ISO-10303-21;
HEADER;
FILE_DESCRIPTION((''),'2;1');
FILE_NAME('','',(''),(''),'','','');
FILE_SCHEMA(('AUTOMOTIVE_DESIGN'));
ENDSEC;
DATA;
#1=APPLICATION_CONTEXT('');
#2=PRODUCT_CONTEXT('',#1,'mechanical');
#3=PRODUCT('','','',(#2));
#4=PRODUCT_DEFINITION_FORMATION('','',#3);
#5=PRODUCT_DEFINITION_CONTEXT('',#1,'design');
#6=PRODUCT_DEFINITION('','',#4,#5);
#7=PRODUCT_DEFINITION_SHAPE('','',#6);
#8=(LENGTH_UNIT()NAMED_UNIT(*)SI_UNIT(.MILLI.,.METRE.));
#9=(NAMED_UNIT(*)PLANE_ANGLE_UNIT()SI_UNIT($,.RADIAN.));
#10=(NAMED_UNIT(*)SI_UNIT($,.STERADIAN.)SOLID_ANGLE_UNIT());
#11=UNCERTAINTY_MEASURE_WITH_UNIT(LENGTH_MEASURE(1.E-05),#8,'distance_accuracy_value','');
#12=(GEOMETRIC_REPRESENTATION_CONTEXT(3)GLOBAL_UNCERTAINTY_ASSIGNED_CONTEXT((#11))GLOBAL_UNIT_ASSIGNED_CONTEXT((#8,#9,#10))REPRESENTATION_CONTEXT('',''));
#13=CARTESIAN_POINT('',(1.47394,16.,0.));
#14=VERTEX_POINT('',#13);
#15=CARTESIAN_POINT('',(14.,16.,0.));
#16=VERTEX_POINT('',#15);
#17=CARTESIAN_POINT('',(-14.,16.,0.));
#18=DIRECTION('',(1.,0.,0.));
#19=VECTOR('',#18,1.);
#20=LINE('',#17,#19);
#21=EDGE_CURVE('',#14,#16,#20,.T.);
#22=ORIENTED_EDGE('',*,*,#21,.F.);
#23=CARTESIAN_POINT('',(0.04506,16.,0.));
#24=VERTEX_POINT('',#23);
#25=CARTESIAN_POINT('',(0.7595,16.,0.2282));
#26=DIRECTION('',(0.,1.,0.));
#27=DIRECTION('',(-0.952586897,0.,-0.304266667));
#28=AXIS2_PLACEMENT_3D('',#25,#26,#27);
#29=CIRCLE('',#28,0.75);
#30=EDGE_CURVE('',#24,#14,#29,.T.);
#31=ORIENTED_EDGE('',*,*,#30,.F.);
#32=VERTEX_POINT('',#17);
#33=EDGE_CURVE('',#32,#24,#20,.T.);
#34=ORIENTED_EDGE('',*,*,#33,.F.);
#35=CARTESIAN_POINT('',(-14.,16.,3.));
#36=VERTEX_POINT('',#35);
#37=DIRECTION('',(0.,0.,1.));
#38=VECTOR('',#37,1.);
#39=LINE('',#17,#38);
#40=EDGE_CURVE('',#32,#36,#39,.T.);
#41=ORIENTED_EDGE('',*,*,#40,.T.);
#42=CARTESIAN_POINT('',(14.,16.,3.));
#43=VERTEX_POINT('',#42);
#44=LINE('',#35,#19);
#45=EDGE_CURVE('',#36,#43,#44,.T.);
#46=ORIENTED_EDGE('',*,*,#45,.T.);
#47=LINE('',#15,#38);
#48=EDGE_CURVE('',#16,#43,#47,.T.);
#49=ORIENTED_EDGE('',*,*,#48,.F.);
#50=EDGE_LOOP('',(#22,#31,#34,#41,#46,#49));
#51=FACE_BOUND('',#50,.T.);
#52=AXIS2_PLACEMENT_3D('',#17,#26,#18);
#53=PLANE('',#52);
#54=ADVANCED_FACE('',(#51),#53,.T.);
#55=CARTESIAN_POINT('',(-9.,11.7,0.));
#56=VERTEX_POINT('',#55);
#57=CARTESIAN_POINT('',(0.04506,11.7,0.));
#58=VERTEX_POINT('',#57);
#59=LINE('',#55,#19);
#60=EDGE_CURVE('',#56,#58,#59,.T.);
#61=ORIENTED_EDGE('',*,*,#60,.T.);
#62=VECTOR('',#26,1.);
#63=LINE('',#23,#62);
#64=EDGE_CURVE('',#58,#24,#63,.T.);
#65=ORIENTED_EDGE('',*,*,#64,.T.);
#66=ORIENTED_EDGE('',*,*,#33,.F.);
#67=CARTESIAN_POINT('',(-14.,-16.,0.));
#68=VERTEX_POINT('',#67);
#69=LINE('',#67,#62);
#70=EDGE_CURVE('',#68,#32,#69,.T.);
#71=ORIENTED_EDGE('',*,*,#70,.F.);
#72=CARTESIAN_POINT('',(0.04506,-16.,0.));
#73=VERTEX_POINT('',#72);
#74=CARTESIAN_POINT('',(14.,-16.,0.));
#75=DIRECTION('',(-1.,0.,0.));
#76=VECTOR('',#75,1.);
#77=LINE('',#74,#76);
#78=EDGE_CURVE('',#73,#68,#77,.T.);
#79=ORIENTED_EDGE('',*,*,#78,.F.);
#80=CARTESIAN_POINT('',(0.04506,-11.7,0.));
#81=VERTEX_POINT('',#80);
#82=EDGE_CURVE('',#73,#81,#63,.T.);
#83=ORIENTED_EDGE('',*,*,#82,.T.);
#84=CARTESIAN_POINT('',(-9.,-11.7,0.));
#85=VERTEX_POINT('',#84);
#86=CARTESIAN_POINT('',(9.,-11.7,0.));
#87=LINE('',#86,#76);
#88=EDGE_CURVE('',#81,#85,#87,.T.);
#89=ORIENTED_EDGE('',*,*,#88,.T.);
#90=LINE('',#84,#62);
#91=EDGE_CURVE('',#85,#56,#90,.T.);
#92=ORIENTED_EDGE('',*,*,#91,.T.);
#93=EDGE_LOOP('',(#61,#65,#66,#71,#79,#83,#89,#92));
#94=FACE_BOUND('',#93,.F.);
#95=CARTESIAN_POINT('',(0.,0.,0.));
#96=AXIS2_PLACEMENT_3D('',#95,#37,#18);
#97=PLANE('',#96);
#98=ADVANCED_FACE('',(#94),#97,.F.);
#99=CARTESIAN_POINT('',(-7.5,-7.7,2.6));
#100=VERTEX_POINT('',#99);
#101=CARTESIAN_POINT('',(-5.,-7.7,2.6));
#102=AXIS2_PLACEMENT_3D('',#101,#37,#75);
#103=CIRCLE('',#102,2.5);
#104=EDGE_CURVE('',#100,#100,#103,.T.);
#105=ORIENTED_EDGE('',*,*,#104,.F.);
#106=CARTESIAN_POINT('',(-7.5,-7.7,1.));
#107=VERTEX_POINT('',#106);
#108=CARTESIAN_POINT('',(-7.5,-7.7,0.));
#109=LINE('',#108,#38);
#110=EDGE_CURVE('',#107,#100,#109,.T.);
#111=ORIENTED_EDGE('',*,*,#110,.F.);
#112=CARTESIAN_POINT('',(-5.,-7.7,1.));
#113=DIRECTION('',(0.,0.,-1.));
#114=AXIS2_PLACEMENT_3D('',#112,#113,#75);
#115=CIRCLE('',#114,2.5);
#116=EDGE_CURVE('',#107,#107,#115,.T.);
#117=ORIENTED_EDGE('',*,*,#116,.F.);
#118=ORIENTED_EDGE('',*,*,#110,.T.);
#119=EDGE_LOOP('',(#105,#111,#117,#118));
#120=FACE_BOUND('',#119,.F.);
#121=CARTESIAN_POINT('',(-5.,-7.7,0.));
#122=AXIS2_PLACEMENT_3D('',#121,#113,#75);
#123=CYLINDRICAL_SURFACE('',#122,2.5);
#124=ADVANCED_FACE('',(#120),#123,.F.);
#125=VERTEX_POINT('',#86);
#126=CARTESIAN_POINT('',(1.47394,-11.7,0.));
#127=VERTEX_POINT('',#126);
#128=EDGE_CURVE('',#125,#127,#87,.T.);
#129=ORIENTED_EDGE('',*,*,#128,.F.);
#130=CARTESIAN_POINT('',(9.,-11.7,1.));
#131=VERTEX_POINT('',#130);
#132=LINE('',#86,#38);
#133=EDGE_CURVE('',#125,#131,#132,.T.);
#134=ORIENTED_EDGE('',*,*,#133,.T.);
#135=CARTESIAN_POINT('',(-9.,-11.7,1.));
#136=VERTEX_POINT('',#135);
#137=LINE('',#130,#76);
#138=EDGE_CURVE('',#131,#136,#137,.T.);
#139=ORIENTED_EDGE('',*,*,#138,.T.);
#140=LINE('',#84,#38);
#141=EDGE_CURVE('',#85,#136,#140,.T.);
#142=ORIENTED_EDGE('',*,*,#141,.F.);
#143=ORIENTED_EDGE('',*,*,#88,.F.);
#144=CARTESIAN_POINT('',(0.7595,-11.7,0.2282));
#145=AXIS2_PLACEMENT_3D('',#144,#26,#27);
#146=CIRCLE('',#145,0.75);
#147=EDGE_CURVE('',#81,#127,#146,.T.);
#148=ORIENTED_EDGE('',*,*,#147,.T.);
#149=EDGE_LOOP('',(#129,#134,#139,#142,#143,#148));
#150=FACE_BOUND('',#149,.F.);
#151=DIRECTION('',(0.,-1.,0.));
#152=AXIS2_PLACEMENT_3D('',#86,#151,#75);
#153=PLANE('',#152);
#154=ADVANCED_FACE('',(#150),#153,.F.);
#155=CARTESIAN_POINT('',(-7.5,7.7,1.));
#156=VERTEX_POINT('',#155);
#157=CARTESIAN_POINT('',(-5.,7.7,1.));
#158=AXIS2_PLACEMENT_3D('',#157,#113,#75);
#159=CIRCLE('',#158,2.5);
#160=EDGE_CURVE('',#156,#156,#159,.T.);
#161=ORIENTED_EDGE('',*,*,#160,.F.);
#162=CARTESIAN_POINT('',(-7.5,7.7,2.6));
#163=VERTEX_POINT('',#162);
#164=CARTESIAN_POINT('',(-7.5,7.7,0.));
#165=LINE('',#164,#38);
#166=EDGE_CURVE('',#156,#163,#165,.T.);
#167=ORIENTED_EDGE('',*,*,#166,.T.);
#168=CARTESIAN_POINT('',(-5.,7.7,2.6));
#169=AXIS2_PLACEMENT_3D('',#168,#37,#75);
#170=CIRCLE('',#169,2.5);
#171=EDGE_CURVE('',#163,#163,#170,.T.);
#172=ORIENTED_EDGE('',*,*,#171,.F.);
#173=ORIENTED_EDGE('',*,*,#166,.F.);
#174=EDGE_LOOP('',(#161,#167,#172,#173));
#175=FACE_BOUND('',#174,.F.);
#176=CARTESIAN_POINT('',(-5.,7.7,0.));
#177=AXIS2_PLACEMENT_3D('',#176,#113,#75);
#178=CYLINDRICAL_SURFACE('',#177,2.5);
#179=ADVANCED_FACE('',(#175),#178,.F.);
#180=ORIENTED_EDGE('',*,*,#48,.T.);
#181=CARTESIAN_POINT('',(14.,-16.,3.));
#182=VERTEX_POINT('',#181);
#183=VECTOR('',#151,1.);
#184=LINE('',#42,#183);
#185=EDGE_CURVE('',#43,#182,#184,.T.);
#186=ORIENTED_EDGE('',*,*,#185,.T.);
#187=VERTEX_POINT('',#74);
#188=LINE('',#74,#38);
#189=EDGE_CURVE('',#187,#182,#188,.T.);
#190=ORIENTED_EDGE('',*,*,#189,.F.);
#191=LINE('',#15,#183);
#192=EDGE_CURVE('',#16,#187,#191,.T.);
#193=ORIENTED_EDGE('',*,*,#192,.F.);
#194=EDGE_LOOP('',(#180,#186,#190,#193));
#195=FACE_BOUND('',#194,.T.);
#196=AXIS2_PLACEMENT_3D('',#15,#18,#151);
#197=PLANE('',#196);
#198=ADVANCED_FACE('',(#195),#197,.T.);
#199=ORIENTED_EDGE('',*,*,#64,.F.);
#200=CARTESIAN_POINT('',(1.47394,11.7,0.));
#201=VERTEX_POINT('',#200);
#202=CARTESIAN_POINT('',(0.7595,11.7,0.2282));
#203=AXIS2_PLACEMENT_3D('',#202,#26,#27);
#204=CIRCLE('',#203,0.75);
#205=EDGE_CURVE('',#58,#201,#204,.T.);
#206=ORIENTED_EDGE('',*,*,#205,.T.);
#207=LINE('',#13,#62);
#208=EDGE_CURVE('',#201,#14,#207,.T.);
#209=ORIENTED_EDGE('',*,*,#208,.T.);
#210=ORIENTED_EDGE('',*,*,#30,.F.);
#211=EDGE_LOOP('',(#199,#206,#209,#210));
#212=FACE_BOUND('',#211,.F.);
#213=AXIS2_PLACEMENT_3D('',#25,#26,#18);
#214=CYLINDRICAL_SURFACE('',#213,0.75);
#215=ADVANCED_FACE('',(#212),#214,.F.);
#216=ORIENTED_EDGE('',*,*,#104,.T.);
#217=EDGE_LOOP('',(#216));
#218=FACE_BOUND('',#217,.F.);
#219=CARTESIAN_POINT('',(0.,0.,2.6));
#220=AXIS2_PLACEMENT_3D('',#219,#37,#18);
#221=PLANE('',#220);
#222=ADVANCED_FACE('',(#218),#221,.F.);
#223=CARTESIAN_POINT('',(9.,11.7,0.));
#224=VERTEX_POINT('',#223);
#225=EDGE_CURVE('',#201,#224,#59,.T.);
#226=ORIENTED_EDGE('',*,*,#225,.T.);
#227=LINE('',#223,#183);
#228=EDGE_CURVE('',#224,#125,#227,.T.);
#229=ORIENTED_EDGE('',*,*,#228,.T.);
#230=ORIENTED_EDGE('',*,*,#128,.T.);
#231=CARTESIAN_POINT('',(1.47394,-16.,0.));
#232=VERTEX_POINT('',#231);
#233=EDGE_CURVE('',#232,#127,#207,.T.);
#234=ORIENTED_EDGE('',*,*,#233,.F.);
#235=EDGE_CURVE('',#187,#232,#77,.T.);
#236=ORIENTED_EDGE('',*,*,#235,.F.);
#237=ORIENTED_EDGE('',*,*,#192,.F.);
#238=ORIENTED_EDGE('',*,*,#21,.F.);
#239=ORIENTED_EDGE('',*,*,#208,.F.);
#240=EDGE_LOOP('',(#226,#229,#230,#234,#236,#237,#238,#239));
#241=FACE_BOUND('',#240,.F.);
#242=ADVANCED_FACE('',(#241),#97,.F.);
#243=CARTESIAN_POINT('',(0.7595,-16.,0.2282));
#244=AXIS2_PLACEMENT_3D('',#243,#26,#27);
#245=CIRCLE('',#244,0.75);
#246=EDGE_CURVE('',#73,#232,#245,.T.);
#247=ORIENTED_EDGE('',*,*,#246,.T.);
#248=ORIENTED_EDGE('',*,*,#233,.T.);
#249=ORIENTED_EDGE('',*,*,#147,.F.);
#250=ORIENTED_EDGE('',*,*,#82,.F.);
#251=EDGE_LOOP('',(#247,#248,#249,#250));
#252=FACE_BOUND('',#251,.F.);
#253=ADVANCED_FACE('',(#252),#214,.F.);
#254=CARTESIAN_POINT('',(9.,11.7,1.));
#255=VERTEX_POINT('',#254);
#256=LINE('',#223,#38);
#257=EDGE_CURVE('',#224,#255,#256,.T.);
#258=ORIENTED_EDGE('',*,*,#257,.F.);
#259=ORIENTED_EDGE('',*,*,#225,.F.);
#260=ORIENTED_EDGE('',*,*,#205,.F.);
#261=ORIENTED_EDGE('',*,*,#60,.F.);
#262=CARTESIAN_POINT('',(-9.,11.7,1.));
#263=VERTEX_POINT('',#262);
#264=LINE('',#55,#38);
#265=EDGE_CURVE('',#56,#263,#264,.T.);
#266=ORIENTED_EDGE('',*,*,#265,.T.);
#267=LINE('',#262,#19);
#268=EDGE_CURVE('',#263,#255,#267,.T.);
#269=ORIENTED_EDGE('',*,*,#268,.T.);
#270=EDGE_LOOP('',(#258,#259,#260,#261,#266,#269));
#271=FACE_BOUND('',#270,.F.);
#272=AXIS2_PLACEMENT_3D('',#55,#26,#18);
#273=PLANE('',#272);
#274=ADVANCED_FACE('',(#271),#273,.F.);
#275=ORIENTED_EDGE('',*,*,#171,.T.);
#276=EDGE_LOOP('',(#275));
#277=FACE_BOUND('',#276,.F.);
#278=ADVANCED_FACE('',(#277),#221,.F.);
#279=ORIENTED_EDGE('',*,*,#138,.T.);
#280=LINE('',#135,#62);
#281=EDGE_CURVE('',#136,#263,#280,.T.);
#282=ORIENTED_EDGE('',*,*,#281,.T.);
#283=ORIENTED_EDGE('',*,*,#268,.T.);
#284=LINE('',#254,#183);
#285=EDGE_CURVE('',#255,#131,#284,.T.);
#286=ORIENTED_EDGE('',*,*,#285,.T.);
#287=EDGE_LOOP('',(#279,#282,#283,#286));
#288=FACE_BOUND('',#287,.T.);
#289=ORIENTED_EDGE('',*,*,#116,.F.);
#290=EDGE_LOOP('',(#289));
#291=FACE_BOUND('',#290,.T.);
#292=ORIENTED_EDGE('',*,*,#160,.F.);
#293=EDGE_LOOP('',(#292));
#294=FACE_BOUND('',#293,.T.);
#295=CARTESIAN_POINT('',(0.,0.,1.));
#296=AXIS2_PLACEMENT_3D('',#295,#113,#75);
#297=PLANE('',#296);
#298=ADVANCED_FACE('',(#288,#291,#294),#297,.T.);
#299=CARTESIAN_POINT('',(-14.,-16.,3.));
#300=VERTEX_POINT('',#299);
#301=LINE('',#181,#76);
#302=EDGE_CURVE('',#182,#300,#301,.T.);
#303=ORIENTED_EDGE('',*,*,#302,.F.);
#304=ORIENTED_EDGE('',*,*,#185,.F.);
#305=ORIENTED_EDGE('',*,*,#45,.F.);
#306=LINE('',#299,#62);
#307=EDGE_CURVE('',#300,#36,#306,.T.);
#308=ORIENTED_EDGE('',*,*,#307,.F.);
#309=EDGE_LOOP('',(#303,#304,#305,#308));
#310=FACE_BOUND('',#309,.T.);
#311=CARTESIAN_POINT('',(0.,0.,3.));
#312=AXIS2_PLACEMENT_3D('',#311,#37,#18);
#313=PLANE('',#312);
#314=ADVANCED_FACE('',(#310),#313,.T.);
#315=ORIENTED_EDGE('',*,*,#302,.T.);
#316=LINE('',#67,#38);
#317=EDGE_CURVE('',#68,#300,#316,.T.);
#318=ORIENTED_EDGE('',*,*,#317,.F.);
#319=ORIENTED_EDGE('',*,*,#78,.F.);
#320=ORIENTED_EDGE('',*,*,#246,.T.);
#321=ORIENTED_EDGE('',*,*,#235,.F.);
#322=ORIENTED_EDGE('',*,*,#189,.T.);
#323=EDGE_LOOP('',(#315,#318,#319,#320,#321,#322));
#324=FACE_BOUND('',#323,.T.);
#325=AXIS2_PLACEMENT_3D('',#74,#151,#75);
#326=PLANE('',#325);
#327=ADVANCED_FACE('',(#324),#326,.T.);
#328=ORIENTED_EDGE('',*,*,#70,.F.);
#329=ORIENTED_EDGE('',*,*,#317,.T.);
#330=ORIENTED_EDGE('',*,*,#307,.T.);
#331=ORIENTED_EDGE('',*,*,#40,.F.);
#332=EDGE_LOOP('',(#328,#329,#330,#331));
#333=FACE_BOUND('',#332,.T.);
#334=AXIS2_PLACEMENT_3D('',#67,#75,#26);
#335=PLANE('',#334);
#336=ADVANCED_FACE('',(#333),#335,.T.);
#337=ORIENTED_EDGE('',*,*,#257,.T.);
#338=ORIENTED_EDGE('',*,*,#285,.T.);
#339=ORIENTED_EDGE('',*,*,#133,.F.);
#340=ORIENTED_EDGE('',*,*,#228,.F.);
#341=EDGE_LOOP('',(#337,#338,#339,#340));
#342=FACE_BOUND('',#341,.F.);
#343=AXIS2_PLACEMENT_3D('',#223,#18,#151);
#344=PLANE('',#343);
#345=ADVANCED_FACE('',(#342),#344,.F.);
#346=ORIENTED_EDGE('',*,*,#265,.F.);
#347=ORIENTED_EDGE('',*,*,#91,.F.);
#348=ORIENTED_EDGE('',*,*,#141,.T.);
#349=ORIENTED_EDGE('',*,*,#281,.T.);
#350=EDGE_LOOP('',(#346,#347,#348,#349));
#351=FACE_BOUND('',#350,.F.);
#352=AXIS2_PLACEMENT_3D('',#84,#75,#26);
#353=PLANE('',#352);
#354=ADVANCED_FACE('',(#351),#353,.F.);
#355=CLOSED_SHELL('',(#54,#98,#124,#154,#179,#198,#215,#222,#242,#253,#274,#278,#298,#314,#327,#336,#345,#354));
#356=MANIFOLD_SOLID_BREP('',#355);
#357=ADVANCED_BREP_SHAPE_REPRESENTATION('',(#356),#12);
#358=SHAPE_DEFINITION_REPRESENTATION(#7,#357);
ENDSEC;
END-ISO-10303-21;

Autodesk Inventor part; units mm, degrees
ref_plane "YZ Plane" through (0, 0, 0) normal (1, 0, 0) x (0, 1, 0)
ref_plane "XZ Plane" through (0, 0, 0) normal (0, 1, 0) x (-1, 0, 0)
ref_plane "Work Plane1" through (0, 0, 0) normal (0, 0, 1) x (1, 0, 0)
sketch "Sketch1" plane through (0, 0, 0) normal (0, 0, 1) x (1, 0, 0)
  arc A0 (2.9937, -6.1068) -> (2.9937, 6.1788) centre (1.841, 0.036) ccw projected
  line L0 (2.9937, -6.1068) -> (2.9937, -9.05) projected
  line L1 (2.9937, -9.05) -> (-5, -9.05) projected
  arc A1 (-5, -6.35) -> (-5, -9.05) centre (-5, -7.7) ccw projected
  line L2 (-5, -6.35) -> (-0.5216, -6.35) projected
  line L3 (-0.5216, -6.35) -> (-0.5216, -5.7502) projected
  arc A2 (-0.9246, 5.6409) -> (-0.5216, -5.7502) centre (1.841, 0.036) ccw projected
  line L4 (-0.9246, 5.6409) -> (-0.9246, 6.35) projected
  line L5 (-0.9246, 6.35) -> (-5, 6.35) projected
  arc A3 (-5, 9.05) -> (-5, 6.35) centre (-5, 7.7) ccw projected
  line L6 (-5, 9.05) -> (2.9937, 9.05) projected
  line L7 (2.9937, 9.05) -> (2.9937, 6.1788) projected
  line L8 (14, -16) -> (-14, -16) projected
  line L9 (14, 16) -> (14, -16) projected
  line L10 (-14, 16) -> (14, 16) projected
  line L11 (-14, -16) -> (-14, 16) projected
  point P0 (0, 0)
extrude "Extrusion1" add sketch "Sketch1" along normal blind 3 contours L0 L1 A1 L2 L3 A2 L4 L5 A3 L6 L7 A0 | L8 L11 L10 L9
sketch "Sketch2" plane through (0, 0, 3) normal (0, 0, 1) x (1, 0, 0)
  circle A0 centre (-5, 7.7) radius 1.35 projected
  circle A1 centre (-5, -7.7) radius 1.35 projected
  circle A2 centre (1.841, 0.036) radius 5 projected
  circle A3 centre (1.841, 0.036) radius 5.2
  circle A4 centre (-5, 7.7) radius 1.55
  point P0 (0, 0)
  dimension "d2" = 0.2
  dimension "d3" = 0.2
sketch "Sketch3" plane through (0, 0, 0) normal (0, 0, -1) x (-1, 0, 0)
  circle A0 centre (5, 7.7) radius 2.5 projected
  circle A1 centre (5, -7.7) radius 2.5 projected
  point P0 (0, 0)
extrude "Extrusion2" cut sketch "Sketch3" against normal through all
sketch "Sketch4" plane through (0, 0, 0) normal (0, 0, -1) x (-1, 0, 0)
  line L0 (-14, -16) -> (14, -16) projected
  line L1 (14, -16) -> (14, 16) projected
  line L2 (14, 16) -> (-14, 16) projected
  line L3 (-14, 16) -> (-14, -16) projected
  line L4 (9, -11.7) -> (9, 11.7) projected
  line L5 (-9, -11.7) -> (9, -11.7) projected
  line L6 (-9, 11.7) -> (-9, -11.7) projected
  line L7 (9, 11.7) -> (-9, 11.7) projected
  point P0 (0, 0)
extrude "Extrusion3" cut sketch "Sketch4" against normal blind 1 contours L5 L6 L7 L4
sketch "Sketch5" plane through (0, 0, 3) normal (0, 0, 1) x (1, 0, 0)
  circle A0 centre (-5, 7.7) radius 2.5 projected
  circle A1 centre (-5, -7.7) radius 2.5 projected
  point P0 (0, 0)
ref_plane "Work Plane2" through (-6.35, -9.05, 2.6) normal (0, 0, 1) x (1, 0, 0)
extrude "Extrusion4" add sketch "Sketch5" against normal up to surface (0.4 mm away)
sketch "Sketch6" plane through (-14, 16, 0) normal (0, 1, 0) x (1, 0, 0)
  line L0 (23, -1) -> (5, -1) projected
  line L1 (0, 0) -> (28, 0) projected
  line L2 (0, 0) -> (0, -3) projected
  line L3 (28, -3) -> (0, -3) projected
  line L4 (28, 0) -> (28, -3) projected
  circle A0 centre (14.7595, -0.2282) radius 0.75
  dimension "d11" = 1.5
extrude "Extrusion5" cut sketch "Sketch6" against normal through all contours A0 L1 | L1 A0
properties part number "00_PDMS_mould_1"
